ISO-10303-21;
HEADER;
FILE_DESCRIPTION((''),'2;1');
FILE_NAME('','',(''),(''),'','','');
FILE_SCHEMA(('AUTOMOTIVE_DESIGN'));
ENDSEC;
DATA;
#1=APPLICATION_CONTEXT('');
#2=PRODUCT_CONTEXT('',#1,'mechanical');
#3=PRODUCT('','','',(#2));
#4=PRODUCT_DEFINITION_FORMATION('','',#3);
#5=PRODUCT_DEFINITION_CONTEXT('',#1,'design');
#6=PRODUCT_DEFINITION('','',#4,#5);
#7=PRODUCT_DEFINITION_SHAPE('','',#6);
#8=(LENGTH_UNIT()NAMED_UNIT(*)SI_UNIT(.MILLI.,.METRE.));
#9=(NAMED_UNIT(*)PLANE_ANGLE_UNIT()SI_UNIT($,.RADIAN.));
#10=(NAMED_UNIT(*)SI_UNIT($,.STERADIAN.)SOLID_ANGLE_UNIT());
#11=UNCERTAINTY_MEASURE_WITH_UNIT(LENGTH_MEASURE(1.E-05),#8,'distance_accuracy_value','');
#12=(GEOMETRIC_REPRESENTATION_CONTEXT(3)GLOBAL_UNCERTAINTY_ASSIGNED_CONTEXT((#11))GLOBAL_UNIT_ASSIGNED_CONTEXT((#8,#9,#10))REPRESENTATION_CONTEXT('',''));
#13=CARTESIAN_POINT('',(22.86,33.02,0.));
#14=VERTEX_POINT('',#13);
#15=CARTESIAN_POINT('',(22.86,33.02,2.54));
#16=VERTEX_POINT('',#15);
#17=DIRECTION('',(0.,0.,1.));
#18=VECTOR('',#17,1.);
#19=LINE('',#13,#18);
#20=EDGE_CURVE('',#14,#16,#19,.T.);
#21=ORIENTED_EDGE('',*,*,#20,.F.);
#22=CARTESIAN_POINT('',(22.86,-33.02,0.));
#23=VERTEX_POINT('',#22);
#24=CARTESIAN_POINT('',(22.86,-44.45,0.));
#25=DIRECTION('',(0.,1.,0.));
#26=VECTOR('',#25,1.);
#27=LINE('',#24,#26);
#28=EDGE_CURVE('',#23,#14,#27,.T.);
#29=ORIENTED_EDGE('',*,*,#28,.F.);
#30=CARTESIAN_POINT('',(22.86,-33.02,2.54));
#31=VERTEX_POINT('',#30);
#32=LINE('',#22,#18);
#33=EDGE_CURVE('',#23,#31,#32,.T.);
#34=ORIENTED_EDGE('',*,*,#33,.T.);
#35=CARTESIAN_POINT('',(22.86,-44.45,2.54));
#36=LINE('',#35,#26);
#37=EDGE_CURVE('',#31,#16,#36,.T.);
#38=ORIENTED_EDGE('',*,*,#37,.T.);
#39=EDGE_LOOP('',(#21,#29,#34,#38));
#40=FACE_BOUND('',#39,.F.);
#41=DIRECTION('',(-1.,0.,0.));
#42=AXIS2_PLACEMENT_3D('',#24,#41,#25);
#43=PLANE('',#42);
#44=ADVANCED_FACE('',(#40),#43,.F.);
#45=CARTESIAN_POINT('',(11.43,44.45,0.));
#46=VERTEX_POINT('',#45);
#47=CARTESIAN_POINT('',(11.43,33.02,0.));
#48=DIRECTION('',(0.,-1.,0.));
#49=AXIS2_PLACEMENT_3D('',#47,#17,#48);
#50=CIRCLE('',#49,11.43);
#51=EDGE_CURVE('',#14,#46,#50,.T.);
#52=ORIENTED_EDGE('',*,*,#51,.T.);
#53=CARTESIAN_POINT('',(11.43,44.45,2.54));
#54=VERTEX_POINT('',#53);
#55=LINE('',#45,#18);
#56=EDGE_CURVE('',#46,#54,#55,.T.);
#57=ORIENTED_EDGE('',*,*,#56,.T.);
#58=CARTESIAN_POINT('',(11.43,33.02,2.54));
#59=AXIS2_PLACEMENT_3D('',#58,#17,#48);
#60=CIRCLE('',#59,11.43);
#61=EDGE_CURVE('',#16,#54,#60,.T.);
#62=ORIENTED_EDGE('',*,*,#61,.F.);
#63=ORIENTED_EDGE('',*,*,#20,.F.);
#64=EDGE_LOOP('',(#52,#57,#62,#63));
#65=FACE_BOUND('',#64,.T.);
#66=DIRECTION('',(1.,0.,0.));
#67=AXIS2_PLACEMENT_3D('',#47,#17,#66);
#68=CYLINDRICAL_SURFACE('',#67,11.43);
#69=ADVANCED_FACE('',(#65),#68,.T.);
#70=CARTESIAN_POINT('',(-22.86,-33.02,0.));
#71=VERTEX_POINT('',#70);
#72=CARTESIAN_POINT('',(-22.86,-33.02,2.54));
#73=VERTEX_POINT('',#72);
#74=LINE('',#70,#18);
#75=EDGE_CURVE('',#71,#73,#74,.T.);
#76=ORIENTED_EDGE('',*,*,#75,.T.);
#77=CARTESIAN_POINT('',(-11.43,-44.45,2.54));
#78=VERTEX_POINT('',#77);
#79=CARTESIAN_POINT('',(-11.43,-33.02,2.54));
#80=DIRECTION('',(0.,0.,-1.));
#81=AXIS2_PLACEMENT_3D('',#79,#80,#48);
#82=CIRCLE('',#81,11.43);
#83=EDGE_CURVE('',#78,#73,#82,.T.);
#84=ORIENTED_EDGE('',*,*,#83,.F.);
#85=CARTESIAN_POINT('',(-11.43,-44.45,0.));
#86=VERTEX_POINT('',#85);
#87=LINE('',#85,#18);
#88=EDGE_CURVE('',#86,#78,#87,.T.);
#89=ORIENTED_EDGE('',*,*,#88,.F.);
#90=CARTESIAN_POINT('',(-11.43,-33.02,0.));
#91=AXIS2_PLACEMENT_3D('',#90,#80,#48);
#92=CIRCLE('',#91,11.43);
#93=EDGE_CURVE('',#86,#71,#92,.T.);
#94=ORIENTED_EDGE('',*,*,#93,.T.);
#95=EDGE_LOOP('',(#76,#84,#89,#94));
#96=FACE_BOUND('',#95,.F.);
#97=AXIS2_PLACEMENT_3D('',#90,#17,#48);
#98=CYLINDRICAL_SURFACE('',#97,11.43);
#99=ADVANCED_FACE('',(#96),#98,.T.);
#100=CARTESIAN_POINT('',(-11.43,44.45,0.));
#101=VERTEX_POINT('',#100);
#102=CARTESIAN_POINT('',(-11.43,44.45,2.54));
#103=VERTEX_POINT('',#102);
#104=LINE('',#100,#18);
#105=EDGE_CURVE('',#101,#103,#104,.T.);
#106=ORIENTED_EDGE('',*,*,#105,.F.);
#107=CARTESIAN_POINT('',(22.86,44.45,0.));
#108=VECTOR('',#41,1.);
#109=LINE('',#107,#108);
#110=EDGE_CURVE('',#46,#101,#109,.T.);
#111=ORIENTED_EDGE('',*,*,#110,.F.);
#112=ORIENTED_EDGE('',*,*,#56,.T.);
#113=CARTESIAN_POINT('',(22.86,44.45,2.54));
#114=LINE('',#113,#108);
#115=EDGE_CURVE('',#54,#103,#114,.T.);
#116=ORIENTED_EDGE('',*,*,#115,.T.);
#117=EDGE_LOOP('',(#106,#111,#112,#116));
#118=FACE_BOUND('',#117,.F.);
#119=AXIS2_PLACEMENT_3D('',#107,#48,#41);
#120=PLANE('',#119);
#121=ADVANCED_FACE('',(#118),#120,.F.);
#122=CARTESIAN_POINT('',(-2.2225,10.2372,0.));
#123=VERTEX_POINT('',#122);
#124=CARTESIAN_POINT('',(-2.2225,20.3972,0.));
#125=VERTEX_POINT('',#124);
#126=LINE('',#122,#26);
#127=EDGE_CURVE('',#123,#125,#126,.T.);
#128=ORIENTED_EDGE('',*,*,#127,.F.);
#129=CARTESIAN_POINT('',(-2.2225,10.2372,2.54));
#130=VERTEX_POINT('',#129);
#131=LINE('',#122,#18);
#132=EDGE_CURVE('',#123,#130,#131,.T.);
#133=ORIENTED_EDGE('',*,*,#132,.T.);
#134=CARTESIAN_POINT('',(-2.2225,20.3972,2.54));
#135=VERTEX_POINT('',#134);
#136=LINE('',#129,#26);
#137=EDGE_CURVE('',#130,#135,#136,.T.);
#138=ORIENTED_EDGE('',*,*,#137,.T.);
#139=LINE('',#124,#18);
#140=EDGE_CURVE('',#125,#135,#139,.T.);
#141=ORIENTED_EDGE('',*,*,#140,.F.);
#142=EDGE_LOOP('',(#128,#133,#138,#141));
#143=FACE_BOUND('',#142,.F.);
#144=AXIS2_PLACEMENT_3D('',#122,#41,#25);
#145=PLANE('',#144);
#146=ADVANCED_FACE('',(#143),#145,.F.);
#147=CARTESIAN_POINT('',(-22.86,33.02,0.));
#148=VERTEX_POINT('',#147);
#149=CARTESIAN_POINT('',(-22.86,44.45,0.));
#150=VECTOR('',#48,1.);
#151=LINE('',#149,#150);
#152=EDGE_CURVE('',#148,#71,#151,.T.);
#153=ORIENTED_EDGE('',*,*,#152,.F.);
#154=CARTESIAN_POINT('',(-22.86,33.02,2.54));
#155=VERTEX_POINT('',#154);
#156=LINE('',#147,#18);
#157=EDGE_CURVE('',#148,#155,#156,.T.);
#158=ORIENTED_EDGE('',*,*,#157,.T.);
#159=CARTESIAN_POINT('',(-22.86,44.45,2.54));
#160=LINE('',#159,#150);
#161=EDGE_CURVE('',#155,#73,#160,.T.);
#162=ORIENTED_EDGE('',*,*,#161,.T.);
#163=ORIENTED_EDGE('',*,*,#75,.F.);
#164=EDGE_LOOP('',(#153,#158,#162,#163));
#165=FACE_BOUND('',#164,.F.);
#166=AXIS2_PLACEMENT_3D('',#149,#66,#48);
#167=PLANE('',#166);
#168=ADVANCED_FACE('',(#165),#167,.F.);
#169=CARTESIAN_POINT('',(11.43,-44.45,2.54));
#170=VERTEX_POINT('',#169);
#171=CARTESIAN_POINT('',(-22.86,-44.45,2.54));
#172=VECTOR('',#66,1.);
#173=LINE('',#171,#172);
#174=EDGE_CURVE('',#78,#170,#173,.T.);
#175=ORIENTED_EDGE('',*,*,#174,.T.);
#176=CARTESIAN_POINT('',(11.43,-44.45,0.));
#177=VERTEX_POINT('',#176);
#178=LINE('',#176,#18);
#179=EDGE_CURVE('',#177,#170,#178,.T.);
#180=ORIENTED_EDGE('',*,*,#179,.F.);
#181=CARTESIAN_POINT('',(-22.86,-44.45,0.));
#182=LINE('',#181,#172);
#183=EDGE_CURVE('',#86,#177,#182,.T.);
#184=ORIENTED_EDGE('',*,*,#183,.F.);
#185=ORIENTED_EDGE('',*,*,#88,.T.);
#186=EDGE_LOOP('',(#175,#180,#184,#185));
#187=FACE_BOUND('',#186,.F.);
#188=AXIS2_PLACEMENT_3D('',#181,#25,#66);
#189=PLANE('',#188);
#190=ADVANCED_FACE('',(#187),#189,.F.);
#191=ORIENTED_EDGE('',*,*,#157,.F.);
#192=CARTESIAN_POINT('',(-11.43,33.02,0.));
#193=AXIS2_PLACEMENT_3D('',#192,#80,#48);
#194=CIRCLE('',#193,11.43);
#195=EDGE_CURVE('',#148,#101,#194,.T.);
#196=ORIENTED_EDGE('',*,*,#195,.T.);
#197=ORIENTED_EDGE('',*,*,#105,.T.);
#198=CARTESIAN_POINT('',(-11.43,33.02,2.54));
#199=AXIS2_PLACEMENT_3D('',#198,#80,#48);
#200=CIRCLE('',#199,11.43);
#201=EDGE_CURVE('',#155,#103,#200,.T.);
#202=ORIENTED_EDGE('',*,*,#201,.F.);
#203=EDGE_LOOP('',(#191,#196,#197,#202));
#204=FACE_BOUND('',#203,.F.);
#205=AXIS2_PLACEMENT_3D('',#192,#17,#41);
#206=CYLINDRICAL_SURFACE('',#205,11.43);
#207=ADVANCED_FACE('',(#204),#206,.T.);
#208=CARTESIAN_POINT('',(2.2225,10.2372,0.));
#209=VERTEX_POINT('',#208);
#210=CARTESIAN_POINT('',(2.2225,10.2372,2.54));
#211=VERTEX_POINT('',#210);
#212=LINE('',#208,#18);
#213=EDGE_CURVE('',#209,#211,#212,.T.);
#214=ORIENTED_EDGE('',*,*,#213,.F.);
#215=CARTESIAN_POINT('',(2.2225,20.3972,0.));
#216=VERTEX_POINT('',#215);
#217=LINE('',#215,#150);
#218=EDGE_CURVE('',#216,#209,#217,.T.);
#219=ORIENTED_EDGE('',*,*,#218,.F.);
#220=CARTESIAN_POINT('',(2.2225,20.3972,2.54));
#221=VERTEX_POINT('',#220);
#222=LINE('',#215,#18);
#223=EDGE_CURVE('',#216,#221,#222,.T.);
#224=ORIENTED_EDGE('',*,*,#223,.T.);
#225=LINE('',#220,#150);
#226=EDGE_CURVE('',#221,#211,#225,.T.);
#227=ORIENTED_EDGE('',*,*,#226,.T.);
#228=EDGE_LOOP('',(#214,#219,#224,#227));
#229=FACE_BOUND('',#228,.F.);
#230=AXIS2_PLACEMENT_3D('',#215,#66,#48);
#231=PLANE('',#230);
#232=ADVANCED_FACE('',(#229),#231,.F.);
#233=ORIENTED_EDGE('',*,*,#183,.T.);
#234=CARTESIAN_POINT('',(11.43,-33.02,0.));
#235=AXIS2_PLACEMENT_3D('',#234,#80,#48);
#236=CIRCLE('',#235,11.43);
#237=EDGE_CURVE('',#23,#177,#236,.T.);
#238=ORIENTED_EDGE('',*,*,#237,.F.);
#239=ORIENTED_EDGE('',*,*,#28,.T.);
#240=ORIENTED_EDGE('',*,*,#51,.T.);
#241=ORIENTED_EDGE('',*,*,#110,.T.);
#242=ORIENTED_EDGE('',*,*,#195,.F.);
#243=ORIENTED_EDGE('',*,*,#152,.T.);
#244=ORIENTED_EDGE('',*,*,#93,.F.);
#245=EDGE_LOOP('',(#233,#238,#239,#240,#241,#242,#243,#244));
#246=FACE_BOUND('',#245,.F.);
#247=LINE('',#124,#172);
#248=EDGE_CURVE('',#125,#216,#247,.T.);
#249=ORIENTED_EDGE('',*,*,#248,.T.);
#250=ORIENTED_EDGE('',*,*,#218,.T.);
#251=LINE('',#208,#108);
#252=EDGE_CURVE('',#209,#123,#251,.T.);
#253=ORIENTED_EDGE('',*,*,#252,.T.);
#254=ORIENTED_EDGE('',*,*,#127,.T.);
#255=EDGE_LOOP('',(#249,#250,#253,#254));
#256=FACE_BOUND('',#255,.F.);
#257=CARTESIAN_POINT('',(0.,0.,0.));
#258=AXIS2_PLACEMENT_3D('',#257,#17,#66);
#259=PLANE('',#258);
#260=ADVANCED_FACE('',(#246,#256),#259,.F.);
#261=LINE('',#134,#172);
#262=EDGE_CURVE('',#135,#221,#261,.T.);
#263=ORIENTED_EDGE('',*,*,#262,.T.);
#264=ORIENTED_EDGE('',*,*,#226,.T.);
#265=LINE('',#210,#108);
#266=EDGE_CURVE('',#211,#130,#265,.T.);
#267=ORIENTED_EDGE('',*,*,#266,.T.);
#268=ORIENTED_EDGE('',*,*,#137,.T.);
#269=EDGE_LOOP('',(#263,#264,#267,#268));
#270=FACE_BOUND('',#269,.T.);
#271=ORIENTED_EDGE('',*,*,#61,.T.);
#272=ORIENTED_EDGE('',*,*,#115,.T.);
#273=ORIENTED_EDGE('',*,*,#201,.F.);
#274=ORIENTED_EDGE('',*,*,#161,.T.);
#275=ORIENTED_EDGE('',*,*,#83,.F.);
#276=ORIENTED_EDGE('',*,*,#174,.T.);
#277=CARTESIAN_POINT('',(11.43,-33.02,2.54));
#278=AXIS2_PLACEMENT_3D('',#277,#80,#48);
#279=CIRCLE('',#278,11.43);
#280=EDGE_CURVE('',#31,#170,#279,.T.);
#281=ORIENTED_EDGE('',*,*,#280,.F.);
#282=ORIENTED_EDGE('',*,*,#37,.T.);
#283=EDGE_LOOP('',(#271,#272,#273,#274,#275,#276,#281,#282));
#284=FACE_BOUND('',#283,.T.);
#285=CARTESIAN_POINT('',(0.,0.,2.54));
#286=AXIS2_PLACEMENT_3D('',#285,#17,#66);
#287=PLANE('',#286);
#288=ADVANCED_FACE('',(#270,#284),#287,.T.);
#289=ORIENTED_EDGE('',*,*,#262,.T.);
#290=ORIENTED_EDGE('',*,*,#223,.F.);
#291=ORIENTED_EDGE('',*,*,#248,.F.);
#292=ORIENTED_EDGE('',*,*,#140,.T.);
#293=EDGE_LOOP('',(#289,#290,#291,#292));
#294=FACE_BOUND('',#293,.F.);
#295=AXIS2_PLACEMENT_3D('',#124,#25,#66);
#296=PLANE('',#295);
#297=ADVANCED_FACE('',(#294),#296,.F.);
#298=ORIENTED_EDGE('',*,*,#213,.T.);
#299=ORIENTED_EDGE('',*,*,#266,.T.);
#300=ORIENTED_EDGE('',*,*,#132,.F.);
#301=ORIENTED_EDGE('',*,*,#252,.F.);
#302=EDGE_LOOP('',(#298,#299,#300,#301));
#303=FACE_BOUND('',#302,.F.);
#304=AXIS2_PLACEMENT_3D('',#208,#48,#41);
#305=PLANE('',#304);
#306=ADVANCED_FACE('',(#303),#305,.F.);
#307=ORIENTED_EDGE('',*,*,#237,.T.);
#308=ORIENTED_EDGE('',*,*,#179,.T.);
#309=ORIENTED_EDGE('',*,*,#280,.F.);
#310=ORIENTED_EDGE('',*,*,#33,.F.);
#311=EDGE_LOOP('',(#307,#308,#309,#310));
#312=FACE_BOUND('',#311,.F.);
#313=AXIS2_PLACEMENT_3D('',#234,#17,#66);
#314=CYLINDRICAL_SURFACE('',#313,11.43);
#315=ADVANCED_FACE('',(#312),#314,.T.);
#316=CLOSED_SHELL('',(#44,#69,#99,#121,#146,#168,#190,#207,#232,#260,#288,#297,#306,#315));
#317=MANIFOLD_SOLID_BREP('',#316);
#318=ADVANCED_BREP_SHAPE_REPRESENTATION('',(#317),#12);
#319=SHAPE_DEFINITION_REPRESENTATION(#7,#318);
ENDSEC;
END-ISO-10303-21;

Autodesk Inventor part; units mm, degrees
ref_plane "YZ Plane" through (0, 0, 0) normal (1, 0, 0) x (0, 1, 0)
ref_plane "XZ Plane" through (0, 0, 0) normal (0, 1, 0) x (-1, 0, 0)
ref_plane "XY Plane" through (0, 0, 0) normal (0, 0, 1) x (1, 0, 0)
sketch "Sketch1" plane through (0, 0, 0) normal (0, 0, 1) x (1, 0, 0)
  line L0 (22.86, 44.45) -> (-22.86, 44.45)
  line L1 (-22.86, 44.45) -> (-22.86, -44.45)
  line L2 (-22.86, -44.45) -> (22.86, -44.45)
  line L3 (22.86, -44.45) -> (22.86, 44.45)
  line L4 (22.86, 44.45) -> (-22.86, -44.45) construction
  line L5 (-22.86, 44.45) -> (22.86, -44.45) construction
  line L6 (-2.2225, 20.3972) -> (2.2225, 20.3972)
  line L7 (2.2225, 20.3972) -> (2.2225, 10.2372)
  line L8 (2.2225, 10.2372) -> (-2.2225, 10.2372)
  line L9 (-2.2225, 10.2372) -> (-2.2225, 20.3972)
  line L10 (-2.2225, 20.3972) -> (2.2225, 10.2372) construction
  line L11 (2.2225, 20.3972) -> (-2.2225, 10.2372) construction
  dimension "d0" = 45.72
  dimension "d1" = 88.9
  dimension "d15" = 10.16
extrude "Extrusion3" add sketch "Sketch1" along normal blind 2.54
fillet "Fillet3" radius 11.43 4 edges at (22.86, 44.45, 1.27) (22.86, -44.45, 1.27) (-22.86, -44.45, 1.27) (-22.86, 44.45, 1.27)
properties part number "RTS gift base"
